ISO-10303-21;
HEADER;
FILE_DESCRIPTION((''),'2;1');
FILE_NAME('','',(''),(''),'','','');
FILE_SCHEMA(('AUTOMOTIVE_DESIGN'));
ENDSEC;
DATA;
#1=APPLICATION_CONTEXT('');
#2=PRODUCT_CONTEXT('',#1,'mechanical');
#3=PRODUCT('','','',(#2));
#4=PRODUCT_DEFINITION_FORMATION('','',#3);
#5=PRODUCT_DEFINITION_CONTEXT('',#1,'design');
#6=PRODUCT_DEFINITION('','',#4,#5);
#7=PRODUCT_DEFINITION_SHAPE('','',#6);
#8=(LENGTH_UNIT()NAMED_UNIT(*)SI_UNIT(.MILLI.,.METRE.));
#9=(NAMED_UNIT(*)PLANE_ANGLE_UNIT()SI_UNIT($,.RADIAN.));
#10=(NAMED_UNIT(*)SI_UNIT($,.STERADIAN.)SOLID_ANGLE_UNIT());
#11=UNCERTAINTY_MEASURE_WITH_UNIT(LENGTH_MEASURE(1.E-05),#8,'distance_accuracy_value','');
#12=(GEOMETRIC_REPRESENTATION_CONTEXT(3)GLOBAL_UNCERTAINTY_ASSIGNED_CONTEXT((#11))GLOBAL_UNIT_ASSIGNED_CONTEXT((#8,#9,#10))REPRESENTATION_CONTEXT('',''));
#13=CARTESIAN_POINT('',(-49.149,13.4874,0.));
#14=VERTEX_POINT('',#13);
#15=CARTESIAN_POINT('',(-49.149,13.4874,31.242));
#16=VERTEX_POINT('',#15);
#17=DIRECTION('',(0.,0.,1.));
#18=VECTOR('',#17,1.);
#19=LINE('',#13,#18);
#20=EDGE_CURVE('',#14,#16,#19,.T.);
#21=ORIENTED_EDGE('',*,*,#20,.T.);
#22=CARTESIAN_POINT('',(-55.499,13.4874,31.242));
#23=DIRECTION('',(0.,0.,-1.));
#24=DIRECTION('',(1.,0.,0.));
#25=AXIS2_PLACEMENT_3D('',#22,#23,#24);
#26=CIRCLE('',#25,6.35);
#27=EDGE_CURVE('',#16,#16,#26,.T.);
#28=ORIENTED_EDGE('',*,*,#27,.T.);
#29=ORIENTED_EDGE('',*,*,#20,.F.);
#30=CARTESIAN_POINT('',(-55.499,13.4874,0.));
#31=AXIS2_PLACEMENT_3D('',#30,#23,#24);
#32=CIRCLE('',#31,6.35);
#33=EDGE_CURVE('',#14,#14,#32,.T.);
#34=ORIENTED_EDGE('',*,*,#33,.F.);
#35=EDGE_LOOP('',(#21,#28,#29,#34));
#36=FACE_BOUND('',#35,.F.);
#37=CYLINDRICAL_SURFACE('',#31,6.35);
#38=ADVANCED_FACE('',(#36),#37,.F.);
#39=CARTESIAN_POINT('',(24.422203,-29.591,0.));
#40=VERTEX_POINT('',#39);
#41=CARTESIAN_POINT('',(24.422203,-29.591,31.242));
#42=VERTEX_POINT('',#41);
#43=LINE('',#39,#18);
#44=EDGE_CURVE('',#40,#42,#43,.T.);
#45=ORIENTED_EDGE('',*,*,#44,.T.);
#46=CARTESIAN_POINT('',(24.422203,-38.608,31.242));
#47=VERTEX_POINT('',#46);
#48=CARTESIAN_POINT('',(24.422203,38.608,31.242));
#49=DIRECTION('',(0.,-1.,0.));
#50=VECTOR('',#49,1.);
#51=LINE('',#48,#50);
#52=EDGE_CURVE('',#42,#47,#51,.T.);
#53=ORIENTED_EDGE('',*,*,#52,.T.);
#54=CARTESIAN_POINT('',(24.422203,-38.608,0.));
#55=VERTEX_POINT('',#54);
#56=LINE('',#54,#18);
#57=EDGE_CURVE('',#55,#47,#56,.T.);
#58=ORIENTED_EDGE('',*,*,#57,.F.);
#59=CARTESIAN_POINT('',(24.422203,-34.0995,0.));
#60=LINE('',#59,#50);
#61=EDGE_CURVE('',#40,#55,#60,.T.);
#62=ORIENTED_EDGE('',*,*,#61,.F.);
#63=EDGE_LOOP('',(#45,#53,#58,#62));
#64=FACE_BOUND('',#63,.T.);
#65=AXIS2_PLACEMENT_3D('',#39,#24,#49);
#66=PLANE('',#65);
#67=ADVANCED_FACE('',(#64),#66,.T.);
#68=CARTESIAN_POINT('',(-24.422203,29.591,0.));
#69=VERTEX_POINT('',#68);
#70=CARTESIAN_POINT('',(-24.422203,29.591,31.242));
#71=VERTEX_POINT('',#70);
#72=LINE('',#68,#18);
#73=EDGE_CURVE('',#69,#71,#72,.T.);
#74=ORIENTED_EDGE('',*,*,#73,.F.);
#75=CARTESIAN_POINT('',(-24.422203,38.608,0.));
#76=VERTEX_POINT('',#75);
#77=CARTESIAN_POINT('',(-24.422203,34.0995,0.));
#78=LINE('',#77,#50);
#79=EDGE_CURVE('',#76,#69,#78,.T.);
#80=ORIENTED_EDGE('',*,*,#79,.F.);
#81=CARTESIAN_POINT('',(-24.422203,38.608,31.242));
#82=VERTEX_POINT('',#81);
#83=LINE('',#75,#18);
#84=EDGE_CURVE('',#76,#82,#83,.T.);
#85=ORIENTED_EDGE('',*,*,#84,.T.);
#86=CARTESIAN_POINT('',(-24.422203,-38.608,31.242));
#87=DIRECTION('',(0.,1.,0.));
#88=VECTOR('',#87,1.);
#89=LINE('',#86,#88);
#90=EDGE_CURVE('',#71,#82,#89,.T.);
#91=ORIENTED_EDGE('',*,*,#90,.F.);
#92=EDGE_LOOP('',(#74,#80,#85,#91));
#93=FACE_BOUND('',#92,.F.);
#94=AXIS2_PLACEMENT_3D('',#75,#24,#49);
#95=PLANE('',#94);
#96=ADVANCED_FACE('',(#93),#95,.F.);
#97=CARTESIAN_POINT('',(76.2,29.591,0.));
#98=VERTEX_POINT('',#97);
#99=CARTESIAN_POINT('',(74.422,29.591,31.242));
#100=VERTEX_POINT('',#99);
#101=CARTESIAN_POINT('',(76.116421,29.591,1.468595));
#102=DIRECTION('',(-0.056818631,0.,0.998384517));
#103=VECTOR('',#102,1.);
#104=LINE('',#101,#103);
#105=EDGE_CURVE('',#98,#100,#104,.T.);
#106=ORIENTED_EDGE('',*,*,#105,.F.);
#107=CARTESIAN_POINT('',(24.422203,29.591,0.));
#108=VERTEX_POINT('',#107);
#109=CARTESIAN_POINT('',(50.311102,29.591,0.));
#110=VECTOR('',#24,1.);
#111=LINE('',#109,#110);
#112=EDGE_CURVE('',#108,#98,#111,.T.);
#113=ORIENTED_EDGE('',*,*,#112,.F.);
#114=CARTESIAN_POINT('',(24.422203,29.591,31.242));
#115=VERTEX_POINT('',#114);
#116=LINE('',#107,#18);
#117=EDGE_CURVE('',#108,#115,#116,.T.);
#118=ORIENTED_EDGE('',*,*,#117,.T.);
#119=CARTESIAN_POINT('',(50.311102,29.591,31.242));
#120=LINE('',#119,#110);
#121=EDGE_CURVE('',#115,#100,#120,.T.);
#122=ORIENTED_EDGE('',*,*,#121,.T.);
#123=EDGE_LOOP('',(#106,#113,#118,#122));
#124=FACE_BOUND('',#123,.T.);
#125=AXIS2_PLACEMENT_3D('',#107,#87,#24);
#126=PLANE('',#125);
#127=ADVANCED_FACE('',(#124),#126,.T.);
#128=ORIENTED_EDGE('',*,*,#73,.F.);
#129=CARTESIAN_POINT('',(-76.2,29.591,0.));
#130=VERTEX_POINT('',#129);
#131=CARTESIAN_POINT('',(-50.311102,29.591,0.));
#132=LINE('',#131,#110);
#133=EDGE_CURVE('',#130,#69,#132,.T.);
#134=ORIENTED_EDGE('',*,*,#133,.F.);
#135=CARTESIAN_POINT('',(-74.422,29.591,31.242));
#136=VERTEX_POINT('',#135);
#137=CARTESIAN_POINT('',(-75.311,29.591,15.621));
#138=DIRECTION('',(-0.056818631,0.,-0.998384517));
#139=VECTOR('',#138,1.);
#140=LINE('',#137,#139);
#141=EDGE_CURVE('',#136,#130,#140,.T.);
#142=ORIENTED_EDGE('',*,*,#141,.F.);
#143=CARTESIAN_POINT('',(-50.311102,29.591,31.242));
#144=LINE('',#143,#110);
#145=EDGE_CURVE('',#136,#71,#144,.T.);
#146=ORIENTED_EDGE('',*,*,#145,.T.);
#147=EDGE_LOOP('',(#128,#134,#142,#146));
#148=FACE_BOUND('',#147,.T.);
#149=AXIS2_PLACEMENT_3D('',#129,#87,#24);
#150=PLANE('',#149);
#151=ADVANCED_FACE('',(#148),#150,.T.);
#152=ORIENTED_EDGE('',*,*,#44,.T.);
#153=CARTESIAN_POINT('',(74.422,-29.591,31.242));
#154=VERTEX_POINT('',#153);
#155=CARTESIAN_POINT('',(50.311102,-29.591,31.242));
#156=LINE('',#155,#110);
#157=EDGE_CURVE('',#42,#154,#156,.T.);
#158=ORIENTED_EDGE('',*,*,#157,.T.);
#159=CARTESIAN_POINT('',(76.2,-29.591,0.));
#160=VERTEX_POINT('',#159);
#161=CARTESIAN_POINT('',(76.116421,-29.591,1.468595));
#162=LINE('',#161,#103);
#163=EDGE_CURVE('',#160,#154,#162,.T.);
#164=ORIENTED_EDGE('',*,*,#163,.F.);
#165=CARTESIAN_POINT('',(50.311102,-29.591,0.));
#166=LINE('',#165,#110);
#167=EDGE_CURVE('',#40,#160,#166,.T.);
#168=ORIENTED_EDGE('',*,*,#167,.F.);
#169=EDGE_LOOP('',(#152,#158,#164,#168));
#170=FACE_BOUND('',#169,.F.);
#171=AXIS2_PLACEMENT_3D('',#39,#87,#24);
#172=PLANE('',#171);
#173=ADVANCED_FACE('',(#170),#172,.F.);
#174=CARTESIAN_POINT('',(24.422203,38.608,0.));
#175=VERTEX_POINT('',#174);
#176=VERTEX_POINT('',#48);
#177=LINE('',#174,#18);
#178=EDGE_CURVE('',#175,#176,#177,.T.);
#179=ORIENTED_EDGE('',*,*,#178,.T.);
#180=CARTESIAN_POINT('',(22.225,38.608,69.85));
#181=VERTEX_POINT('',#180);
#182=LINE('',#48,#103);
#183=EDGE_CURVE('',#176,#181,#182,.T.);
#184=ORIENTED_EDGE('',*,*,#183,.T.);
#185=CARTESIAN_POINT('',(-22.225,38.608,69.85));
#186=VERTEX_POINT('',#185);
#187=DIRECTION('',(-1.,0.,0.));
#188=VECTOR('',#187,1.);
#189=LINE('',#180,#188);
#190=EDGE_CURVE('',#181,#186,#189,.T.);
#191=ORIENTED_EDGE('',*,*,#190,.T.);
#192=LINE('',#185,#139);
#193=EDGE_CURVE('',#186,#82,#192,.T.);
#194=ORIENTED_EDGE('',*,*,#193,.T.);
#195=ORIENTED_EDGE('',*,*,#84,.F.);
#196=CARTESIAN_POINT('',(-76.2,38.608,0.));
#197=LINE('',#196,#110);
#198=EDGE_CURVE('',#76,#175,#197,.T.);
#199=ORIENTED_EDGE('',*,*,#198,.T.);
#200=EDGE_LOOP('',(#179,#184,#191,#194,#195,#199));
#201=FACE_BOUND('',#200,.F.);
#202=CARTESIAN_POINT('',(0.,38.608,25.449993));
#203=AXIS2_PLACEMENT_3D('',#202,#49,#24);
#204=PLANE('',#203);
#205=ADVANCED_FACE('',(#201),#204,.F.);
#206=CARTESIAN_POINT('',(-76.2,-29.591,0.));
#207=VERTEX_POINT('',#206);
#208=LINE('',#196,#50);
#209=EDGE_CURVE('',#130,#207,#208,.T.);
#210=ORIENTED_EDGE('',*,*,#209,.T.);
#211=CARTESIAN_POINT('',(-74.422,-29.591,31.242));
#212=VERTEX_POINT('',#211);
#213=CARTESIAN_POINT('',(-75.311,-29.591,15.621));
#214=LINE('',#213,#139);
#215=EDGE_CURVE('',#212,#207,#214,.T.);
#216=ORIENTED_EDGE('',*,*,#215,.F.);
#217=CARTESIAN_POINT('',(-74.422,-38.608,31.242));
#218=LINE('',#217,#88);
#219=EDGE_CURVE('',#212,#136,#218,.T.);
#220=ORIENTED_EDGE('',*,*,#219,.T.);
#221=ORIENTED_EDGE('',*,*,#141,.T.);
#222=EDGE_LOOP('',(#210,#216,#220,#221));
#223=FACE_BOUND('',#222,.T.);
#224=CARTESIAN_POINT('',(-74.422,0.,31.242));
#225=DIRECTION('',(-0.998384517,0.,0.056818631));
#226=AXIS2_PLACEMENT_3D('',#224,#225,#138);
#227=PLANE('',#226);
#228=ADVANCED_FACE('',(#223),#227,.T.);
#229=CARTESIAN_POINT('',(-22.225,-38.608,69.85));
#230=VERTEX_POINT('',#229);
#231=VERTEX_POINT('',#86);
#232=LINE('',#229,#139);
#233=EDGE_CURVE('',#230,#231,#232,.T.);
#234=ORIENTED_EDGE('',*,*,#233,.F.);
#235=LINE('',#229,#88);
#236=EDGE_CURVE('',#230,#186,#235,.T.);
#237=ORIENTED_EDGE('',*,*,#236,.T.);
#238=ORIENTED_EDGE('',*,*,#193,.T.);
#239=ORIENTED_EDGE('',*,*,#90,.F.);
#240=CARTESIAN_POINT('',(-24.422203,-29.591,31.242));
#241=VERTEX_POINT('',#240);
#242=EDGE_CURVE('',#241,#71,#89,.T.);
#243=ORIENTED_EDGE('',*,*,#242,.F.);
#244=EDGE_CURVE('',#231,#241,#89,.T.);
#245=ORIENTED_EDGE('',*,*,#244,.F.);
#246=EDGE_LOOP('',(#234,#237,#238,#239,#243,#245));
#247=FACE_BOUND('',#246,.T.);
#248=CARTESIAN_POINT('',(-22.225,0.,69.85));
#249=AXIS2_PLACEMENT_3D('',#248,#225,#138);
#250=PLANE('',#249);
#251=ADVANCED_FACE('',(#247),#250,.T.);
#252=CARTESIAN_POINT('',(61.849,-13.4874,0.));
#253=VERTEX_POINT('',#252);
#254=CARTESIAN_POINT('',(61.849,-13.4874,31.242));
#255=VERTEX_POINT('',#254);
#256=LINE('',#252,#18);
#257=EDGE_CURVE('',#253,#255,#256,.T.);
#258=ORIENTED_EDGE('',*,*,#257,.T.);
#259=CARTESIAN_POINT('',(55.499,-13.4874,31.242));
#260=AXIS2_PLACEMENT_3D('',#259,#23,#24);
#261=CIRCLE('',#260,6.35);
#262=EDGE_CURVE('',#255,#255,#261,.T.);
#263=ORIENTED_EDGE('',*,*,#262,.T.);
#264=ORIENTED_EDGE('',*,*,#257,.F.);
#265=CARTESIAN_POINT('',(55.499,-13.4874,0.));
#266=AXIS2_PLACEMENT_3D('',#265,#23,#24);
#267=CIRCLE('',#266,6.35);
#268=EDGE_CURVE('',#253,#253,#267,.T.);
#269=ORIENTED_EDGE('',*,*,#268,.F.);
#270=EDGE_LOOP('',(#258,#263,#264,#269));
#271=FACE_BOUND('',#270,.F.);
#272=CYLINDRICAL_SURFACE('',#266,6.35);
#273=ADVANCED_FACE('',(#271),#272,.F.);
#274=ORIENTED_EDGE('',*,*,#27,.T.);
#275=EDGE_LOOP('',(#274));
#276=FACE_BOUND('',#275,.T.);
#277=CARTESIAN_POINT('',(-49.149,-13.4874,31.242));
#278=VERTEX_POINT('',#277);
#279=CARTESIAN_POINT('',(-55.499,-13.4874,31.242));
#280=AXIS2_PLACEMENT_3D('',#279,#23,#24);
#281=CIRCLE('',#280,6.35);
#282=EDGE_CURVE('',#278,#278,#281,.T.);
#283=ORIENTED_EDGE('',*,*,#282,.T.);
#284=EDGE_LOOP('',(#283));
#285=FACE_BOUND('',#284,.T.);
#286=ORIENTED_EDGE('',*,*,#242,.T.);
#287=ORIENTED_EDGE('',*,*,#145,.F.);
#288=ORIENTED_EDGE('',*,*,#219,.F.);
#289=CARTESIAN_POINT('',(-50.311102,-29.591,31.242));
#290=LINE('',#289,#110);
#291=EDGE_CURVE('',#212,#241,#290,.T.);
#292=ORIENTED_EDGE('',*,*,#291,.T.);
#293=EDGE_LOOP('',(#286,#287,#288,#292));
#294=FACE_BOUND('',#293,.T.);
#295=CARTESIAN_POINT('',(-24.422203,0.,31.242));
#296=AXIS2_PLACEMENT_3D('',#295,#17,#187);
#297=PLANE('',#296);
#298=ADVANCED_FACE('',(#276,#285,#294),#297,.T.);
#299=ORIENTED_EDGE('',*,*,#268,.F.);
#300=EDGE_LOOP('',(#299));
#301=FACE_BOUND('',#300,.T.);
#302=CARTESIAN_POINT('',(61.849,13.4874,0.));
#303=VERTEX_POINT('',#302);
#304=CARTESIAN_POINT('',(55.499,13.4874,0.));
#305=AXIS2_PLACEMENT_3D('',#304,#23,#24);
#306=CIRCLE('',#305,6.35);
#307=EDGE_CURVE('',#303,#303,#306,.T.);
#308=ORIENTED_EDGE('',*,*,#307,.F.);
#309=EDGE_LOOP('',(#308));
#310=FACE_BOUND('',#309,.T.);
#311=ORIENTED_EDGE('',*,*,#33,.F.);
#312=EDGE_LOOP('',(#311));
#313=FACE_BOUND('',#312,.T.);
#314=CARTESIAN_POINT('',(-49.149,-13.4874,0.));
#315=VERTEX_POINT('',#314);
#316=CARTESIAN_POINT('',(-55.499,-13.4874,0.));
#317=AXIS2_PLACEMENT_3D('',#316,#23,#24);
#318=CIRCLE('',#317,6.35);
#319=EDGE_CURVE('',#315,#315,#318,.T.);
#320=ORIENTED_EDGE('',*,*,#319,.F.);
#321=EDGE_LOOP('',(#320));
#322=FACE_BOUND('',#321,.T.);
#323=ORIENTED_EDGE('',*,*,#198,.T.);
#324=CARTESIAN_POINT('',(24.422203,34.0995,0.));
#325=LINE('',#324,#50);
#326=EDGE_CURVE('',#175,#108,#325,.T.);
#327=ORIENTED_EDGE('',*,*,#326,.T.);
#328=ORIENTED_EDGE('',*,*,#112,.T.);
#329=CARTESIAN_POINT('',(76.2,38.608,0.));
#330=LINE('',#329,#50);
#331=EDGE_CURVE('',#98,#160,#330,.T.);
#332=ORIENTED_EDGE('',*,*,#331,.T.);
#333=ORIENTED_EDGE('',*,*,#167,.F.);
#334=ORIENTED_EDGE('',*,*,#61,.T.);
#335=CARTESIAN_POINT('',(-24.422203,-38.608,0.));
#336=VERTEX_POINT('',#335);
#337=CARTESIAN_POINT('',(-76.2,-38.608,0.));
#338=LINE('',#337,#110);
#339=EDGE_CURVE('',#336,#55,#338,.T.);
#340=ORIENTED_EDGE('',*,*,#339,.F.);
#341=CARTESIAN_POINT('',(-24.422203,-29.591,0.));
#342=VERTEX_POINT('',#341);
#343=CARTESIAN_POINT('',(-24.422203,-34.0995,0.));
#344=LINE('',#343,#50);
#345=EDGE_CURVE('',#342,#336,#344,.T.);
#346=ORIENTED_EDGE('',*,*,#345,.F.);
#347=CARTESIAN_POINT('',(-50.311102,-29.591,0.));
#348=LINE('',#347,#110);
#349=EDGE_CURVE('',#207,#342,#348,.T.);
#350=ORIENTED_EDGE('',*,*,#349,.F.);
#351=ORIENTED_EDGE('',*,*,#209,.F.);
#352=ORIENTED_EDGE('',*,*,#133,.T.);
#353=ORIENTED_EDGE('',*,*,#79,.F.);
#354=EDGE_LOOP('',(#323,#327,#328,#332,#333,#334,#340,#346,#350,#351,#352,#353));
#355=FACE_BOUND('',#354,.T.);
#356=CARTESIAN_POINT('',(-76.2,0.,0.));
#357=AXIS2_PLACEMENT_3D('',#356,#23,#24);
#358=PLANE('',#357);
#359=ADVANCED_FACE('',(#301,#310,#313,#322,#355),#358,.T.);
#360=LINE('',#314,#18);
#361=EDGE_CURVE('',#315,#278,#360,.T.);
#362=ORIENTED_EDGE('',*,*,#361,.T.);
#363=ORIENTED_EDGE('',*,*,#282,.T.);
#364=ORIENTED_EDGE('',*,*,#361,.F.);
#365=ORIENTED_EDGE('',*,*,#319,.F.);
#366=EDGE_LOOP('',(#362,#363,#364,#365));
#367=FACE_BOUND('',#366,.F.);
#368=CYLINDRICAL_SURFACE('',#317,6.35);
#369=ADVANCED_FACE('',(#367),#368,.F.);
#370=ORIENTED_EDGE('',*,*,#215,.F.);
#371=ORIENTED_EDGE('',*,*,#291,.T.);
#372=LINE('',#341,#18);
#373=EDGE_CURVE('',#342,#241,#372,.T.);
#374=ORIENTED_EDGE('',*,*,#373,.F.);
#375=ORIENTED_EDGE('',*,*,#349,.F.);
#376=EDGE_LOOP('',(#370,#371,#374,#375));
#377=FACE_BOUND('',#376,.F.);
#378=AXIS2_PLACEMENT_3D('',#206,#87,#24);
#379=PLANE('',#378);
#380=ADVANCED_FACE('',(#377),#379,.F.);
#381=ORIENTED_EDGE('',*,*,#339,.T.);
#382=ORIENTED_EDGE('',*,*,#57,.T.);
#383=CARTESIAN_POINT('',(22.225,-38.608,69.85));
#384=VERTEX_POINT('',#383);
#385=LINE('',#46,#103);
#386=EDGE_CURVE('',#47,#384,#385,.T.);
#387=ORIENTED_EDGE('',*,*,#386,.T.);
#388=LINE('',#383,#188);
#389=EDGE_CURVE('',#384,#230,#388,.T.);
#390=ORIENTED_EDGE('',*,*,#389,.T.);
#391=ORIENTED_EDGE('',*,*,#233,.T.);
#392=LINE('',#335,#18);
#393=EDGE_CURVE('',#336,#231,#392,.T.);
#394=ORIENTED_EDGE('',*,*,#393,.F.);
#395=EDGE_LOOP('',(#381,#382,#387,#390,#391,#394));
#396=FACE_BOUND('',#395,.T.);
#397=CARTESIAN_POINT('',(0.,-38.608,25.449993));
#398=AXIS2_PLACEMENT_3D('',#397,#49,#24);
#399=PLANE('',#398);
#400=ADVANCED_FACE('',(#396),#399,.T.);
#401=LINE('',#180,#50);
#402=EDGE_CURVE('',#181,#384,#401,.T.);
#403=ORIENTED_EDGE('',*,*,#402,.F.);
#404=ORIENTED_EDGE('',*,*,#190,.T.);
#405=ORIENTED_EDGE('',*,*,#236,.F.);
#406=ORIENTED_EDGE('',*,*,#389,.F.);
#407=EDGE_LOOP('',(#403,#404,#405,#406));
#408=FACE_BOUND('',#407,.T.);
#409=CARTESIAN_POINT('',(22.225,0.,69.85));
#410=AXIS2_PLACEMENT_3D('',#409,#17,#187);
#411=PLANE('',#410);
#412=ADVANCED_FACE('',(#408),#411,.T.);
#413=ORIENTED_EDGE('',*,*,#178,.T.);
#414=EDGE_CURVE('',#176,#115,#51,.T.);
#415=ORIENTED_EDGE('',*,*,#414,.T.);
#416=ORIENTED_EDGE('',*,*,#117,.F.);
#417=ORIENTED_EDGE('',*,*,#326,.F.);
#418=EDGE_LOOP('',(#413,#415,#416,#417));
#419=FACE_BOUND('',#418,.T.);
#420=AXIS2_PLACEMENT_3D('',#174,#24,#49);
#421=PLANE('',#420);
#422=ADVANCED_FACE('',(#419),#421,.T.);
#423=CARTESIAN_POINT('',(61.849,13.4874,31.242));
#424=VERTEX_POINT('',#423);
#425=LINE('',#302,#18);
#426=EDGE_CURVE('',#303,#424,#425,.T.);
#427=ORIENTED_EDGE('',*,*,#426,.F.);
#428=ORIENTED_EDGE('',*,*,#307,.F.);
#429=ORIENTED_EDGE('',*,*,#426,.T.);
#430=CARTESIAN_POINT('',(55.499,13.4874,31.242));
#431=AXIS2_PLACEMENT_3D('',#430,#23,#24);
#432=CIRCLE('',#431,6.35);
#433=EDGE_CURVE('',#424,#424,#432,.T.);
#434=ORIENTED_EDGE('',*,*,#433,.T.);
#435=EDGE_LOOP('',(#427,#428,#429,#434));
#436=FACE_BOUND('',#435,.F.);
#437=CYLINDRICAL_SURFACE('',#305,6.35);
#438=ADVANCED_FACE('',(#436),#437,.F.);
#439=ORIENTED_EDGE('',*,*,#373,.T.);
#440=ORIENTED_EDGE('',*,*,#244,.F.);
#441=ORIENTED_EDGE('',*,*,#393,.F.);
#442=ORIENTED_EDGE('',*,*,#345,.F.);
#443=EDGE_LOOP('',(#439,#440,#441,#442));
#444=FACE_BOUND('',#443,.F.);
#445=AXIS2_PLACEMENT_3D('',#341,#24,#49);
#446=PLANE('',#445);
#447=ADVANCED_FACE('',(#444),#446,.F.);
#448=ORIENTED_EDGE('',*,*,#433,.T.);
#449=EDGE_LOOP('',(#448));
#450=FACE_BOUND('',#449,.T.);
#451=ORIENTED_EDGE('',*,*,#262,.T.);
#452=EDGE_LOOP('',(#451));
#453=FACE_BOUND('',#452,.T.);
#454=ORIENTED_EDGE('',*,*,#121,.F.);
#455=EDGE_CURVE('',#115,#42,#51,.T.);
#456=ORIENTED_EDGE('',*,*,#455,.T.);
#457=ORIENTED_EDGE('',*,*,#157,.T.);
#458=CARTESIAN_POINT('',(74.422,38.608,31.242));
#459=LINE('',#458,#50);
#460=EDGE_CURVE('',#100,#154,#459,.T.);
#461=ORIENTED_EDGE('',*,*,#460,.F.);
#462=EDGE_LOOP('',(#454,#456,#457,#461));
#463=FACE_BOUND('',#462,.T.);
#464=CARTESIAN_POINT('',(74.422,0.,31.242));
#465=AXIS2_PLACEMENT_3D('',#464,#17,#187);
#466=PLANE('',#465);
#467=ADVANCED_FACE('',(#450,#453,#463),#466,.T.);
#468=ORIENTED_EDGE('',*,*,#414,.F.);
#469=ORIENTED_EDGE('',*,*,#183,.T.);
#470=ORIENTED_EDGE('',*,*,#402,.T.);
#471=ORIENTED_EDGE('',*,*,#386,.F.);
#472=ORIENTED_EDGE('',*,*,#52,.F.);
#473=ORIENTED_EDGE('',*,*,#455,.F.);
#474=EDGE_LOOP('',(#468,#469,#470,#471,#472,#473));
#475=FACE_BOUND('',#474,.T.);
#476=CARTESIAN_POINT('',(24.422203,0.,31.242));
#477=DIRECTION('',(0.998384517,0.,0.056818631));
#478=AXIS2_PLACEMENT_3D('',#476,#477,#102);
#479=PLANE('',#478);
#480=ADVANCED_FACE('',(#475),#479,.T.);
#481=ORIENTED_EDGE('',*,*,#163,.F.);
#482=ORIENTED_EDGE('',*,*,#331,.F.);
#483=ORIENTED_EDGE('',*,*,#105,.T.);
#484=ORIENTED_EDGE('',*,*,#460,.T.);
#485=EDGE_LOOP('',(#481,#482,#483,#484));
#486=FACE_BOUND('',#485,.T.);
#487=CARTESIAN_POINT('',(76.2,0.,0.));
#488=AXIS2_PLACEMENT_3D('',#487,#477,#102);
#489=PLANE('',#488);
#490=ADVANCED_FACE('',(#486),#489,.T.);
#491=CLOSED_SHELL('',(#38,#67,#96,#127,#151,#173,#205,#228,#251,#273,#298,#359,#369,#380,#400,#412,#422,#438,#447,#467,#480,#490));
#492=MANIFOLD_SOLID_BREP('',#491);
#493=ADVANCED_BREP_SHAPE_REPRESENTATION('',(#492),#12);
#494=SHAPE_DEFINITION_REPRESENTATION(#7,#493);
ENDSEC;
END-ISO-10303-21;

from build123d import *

# Parameters (mm, degrees)
F1_DEPTH = 38.608
F2_W     = 51.777796748
F2_H     = 9.017
F2_R     = 6.35
F3_DEPTH = 31.242


with BuildPart() as f1:
    # F0 (on Front) → F1 (new body, symmetric)
    with BuildSketch(Plane.XZ):
        Polygon((-74.422, 31.242), (-76.2, 0), (76.2, 0), (74.422, 31.242), (24.422203252, 31.242), (22.225, 69.85), (-22.225, 69.85), (-24.422203252, 31.242), align=None)
    extrude(amount=F1_DEPTH, both=True)

    # F2 (on face) → F3 (cut, through all)
    with BuildSketch(Plane(origin=(0, 0, 0), x_dir=(1, 0, 0), z_dir=(0, 0, -1))):
        with Locations((-50.311101626, 34.0995)):
            Rectangle(F2_W, F2_H)
        with Locations((-50.311101626, -34.0995)):
            Rectangle(F2_W, F2_H)
        with Locations((50.311101626, -34.0995)):
            Rectangle(F2_W, F2_H)
        with Locations((50.311101626, 34.0995)):
            Rectangle(F2_W, F2_H)
        with Locations((-55.499, 13.4874)):
            Circle(F2_R)
        with Locations((-55.499, -13.4874)):
            Circle(F2_R)
        with Locations((55.499, -13.4874)):
            Circle(F2_R)
        with Locations((55.499, 13.4874)):
            Circle(F2_R)
    extrude(amount=-F3_DEPTH, mode=Mode.SUBTRACT)


solid = f1.part
